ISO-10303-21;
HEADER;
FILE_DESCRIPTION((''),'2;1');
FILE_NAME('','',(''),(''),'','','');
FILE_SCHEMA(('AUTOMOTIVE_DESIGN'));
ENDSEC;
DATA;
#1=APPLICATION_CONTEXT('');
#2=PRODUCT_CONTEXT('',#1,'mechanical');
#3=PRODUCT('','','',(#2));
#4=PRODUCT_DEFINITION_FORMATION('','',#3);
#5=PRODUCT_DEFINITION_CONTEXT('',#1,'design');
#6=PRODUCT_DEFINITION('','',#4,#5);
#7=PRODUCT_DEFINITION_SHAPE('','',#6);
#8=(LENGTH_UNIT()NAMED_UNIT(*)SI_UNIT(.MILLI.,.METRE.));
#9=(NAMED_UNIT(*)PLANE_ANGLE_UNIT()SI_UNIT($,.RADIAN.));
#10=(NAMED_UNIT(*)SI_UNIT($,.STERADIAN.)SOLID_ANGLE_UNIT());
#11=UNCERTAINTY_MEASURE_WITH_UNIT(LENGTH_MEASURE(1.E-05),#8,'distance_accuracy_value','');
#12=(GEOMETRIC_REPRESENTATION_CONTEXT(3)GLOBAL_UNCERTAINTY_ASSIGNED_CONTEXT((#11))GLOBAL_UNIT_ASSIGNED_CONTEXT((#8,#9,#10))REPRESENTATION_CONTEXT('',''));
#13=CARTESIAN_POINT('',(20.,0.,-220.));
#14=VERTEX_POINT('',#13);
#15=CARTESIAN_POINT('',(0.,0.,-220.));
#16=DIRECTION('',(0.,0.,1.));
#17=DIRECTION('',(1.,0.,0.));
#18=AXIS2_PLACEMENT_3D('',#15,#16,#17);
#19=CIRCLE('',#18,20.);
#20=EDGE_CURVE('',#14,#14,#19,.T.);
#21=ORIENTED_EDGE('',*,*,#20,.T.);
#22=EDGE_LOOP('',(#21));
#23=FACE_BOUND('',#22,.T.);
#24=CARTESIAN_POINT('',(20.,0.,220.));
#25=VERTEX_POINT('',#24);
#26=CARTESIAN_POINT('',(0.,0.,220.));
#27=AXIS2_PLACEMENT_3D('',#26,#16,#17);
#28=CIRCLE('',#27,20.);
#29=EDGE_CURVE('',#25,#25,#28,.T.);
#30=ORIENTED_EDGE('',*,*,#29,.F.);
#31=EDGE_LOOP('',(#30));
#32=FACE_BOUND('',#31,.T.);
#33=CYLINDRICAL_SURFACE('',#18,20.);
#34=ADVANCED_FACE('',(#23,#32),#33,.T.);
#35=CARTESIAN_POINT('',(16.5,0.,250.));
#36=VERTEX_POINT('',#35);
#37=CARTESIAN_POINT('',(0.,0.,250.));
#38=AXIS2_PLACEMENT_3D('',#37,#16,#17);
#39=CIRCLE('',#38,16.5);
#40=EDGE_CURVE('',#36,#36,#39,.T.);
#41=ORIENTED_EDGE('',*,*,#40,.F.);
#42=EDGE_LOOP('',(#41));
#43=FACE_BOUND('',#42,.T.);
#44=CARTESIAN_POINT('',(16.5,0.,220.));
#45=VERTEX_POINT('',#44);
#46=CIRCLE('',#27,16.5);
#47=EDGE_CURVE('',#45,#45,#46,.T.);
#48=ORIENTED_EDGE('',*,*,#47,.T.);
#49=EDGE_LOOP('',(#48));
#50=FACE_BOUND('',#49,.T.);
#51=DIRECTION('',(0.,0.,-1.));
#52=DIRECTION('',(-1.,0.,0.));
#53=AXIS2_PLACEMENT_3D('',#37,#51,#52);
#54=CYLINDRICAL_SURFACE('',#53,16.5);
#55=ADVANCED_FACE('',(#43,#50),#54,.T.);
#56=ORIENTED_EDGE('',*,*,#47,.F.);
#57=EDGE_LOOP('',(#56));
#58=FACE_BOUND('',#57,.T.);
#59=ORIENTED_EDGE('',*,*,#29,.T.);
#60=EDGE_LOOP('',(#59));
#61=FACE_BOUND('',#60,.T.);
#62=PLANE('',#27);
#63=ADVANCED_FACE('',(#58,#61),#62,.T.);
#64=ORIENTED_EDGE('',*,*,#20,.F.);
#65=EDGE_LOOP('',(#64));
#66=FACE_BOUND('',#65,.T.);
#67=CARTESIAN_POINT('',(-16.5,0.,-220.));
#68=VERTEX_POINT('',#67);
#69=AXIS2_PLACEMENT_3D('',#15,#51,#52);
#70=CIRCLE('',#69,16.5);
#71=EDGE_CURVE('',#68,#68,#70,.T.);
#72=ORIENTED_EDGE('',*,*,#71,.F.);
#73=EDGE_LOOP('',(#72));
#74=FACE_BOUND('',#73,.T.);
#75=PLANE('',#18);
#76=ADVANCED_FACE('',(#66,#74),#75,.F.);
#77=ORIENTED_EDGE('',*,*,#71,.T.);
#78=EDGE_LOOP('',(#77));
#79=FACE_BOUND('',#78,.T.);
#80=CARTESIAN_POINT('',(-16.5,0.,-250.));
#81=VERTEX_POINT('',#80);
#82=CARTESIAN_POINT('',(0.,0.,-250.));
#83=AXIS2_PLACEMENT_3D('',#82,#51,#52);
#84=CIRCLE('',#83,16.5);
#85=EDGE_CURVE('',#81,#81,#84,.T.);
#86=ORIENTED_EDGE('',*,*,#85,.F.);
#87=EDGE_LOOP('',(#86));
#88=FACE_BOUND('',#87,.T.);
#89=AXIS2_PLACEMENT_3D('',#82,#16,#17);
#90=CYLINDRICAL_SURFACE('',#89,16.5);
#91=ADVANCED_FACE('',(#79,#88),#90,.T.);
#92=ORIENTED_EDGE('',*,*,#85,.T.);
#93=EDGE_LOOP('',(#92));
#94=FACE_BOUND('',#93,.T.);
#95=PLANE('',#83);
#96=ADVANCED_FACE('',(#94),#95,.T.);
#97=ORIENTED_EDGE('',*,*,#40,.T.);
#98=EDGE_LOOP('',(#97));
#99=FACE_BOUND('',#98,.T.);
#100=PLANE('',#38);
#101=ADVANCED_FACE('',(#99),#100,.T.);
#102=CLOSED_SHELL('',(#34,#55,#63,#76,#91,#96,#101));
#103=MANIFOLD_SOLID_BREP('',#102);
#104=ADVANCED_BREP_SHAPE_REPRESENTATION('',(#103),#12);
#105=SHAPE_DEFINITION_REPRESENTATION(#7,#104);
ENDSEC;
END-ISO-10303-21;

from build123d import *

# Parameters (mm, degrees)
BOSS_EXTRUDE1_DEPTH      = 220
BOSS_EXTRUDE1_DEPTH_BACK = 220
SKETCH2_R                = 20
SKETCH3_R                = 16.5
BOSS_EXTRUDE2_DEPTH      = 30
BOSS_EXTRUDE3_START      = 30
SKETCH4_R                = 16.5
BOSS_EXTRUDE3_DEPTH      = 30


with BuildPart() as part:
    # Sketch2 → Boss-Extrude1 (new, two sides: drawn at the far end of the back side and taken through both)
    with BuildSketch(Plane.XY.offset(-BOSS_EXTRUDE1_DEPTH_BACK)):
        Circle(SKETCH2_R)
    extrude(amount=BOSS_EXTRUDE1_DEPTH + BOSS_EXTRUDE1_DEPTH_BACK)

    # Sketch3 → Boss-Extrude2 (add)
    with BuildSketch(Plane.XY.offset(220)):
        Circle(SKETCH3_R)
    extrude(amount=BOSS_EXTRUDE2_DEPTH)

    # Sketch4 → Boss-Extrude3 (add)
    with BuildSketch(Plane(origin=(0, 0, -220), x_dir=(-1, 0, 0), z_dir=(0, 0, -1)).offset(BOSS_EXTRUDE3_START)):
        Circle(SKETCH4_R)
    extrude(amount=-BOSS_EXTRUDE3_DEPTH)


solid = part.part
